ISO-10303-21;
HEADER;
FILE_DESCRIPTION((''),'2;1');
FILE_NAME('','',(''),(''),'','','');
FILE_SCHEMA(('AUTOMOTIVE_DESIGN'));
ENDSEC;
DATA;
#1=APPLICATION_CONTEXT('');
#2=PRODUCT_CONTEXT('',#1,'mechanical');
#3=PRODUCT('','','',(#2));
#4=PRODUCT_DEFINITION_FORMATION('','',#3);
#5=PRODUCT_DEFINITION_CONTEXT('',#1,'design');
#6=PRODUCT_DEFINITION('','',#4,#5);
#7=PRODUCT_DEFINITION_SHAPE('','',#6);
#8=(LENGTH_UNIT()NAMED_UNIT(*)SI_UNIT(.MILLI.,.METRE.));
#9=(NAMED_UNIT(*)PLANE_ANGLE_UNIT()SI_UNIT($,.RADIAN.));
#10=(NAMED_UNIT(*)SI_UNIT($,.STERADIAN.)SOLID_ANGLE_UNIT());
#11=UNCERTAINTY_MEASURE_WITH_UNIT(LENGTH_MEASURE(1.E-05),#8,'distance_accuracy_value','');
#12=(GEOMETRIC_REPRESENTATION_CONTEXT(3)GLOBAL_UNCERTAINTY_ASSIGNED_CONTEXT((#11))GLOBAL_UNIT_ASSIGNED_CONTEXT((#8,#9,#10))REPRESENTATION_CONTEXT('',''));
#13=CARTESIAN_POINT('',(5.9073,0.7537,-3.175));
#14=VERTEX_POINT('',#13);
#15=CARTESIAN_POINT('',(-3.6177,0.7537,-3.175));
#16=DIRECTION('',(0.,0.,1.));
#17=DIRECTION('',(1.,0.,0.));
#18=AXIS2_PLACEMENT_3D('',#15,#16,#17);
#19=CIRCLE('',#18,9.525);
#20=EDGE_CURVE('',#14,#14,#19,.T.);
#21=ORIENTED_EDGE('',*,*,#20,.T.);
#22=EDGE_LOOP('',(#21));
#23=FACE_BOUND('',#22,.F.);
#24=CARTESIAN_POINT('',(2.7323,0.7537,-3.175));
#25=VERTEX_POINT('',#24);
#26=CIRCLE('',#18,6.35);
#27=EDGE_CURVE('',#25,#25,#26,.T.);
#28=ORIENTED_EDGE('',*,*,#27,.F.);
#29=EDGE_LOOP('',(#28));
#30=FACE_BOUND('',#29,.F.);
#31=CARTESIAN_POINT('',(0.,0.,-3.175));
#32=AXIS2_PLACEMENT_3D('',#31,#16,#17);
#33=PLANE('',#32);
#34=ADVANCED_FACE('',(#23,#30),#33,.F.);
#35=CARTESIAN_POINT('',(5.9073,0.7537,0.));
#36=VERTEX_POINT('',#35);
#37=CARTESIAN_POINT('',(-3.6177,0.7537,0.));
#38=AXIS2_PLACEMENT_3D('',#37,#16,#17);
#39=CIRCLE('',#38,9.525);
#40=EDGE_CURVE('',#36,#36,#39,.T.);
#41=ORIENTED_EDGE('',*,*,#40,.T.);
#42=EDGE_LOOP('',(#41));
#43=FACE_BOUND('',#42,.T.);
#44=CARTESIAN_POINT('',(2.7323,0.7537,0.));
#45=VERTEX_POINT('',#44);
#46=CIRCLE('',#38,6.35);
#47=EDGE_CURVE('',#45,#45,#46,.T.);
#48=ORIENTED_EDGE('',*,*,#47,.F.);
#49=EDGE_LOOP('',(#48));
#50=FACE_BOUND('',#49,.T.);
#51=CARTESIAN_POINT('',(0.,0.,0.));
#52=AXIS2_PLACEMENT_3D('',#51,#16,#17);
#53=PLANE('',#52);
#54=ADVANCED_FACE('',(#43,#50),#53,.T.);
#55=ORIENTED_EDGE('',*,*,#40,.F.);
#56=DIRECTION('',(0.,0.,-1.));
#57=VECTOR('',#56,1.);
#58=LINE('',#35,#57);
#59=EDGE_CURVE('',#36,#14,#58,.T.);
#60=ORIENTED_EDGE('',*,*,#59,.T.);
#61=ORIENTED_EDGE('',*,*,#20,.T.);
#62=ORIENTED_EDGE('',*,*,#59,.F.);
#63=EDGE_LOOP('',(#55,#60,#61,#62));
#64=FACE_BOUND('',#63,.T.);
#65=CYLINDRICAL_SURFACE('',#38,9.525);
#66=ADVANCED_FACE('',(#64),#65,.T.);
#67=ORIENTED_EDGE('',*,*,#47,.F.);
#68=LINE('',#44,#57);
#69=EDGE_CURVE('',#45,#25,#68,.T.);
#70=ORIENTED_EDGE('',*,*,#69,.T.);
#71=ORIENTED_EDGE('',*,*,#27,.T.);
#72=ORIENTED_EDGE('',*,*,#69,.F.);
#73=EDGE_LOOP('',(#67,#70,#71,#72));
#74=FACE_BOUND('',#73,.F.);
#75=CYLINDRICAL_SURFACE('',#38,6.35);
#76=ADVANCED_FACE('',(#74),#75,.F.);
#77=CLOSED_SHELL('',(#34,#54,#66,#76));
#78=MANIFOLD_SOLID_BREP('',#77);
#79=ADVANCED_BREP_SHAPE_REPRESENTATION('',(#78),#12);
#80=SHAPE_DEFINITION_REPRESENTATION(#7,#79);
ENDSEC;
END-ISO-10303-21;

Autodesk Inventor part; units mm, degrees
ref_plane "YZ Plane" through (0, 0, 0) normal (1, 0, 0) x (0, 1, 0)
ref_plane "XZ Plane" through (0, 0, 0) normal (0, 1, 0) x (-1, 0, 0)
ref_plane "XY Plane" through (0, 0, 0) normal (0, 0, 1) x (1, 0, 0)
sketch "Sketch1" plane through (0, 0, 0) normal (0, 0, 1) x (1, 0, 0)
  circle A0 centre (-3.6177, 0.7537) radius 9.525
  circle A1 centre (-3.6177, 0.7537) radius 6.35
  dimension "d0" = 12.7
  dimension "d1" = 3.175
extrude "Extrusion1" add sketch "Sketch1" against normal blind 3.175
properties part number "Mock Bearing"
